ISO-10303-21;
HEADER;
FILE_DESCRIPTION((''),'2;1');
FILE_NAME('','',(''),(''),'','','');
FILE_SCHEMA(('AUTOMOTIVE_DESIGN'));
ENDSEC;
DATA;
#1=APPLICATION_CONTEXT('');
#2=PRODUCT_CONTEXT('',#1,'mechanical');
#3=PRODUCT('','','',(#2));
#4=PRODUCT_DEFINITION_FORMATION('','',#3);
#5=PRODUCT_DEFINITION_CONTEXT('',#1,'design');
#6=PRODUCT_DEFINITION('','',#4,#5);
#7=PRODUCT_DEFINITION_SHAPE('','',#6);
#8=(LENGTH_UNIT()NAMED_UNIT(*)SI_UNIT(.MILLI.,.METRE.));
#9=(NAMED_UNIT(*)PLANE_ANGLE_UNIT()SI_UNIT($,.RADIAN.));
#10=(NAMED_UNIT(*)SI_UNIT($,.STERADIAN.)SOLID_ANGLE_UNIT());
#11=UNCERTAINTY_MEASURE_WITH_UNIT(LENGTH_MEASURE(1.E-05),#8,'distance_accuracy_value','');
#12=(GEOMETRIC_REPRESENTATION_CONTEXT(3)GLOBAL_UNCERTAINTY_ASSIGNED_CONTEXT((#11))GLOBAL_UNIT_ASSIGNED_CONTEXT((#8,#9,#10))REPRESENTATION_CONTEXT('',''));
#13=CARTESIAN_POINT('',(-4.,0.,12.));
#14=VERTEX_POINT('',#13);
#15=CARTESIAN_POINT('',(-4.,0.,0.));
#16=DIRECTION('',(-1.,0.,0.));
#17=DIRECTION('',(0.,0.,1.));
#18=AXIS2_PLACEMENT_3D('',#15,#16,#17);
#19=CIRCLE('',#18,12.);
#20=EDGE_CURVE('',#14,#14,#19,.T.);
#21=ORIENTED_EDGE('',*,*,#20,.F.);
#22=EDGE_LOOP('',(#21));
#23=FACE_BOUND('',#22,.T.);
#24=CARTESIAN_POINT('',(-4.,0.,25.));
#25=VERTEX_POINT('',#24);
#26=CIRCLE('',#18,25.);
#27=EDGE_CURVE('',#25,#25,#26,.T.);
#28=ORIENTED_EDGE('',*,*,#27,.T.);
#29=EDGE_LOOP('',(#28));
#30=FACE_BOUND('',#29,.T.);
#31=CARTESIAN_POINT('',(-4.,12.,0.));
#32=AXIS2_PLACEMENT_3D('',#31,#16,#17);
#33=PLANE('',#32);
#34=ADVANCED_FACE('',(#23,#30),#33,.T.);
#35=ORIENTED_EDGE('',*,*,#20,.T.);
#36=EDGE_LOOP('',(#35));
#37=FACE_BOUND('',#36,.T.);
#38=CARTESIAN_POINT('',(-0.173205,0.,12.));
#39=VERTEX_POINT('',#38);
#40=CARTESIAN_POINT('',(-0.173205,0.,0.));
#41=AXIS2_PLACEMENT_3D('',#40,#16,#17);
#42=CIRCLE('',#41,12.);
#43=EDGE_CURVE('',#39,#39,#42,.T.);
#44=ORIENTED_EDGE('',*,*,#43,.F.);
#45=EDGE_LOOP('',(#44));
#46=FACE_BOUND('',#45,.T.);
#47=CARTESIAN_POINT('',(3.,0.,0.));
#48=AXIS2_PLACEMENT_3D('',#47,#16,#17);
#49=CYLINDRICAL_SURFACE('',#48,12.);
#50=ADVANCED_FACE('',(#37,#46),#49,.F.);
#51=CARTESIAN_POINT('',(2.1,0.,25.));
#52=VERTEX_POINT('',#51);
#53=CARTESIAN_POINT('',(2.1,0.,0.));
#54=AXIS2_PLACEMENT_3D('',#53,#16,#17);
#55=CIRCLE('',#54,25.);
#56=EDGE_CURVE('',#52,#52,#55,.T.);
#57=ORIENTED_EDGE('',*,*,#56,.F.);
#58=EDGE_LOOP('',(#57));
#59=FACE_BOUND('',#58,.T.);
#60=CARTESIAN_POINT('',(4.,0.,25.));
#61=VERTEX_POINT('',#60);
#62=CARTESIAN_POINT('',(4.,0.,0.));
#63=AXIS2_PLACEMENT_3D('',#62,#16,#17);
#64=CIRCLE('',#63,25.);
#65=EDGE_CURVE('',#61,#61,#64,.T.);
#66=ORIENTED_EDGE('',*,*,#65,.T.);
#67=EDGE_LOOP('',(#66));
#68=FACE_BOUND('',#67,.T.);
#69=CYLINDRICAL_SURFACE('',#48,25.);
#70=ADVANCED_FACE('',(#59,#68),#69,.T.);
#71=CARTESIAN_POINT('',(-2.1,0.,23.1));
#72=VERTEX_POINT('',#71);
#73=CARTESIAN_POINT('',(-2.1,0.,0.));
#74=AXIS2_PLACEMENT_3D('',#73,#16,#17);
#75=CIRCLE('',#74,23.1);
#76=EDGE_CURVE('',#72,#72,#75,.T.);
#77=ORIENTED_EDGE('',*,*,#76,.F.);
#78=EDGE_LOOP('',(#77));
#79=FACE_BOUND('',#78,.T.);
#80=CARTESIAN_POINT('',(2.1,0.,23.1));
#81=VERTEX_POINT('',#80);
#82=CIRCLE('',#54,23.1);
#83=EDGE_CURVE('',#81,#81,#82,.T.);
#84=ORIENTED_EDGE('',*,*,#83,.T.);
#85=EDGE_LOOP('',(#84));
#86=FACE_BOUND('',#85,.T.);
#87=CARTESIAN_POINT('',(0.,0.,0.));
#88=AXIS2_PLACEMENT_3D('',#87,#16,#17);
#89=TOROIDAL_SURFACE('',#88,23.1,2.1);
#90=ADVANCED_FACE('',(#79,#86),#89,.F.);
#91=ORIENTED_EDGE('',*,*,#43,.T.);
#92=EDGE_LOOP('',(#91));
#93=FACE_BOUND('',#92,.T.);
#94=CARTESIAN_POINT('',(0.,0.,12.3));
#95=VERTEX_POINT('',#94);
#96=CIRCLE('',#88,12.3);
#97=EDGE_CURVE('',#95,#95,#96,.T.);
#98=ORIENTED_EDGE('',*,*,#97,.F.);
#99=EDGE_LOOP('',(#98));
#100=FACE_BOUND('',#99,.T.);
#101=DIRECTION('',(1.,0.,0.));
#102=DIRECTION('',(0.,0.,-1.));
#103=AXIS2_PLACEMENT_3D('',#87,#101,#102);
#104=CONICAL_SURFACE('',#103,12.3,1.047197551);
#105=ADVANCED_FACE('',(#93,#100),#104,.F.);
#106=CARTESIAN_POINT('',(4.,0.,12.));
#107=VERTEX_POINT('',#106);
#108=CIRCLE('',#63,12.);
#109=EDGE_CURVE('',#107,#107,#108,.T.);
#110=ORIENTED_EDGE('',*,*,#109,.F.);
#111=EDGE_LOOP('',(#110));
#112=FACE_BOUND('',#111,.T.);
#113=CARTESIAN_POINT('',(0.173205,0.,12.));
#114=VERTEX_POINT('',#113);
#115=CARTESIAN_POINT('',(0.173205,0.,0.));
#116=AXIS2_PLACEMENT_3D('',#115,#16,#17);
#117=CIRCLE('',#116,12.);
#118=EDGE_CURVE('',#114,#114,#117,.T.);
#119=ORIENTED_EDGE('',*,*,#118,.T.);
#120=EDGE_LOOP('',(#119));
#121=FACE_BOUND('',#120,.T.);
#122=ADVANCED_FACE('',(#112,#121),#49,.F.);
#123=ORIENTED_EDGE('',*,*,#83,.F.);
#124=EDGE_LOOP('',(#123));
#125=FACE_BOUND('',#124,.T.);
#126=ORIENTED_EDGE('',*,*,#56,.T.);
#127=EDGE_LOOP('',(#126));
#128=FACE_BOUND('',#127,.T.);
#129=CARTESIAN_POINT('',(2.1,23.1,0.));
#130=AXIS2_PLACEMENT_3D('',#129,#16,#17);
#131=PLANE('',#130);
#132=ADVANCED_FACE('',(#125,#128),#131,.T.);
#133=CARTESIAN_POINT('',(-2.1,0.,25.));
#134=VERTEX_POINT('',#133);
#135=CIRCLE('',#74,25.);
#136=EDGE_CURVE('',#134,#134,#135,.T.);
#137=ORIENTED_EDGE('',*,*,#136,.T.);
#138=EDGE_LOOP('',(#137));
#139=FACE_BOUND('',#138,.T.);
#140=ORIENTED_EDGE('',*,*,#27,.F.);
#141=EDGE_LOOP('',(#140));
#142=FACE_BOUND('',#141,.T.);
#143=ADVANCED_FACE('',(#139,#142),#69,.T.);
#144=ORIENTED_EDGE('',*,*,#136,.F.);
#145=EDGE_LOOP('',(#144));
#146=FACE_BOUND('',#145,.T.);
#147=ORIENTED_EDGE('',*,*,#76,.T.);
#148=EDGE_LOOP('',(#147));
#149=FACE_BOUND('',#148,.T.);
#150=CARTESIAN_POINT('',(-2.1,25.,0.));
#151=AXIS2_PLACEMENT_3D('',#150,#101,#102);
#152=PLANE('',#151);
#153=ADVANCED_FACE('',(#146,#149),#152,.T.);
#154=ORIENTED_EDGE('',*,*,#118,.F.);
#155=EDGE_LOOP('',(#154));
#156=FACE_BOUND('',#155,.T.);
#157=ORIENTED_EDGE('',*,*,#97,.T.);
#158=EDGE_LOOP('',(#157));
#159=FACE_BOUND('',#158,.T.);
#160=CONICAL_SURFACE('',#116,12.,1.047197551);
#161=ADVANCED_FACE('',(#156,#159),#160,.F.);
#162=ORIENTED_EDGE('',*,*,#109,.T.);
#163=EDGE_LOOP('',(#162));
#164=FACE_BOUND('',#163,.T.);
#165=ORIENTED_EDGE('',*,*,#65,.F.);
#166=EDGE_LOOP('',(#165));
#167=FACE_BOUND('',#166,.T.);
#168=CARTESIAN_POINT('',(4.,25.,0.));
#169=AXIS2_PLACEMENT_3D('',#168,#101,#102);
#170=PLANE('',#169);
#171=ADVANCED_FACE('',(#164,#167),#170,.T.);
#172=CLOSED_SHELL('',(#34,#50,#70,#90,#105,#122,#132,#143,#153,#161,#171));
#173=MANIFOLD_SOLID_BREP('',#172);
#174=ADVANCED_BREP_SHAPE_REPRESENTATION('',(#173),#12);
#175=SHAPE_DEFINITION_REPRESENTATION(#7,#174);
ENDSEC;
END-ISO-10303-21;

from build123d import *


with BuildPart() as part:
    # Sketch1 → Revolve1 (revolve)
    with BuildSketch(Plane(origin=(0, 0, 0), x_dir=(-1, 0, 0), z_dir=(0, 0, -1)), mode=Mode.PRIVATE) as revolve1_sk:
        with BuildLine():
            Line((4, 25), (2.1, 25))
            Line((2.1, 25), (2.1, 23.1))
            ThreePointArc((2.1, 23.1), (0, 21), (-2.1, 23.1))
            Line((-2.1, 23.1), (-2.1, 25))
            Line((-2.1, 25), (-4, 25))
            Line((-4, 25), (-4, 12))
            Line((-4, 12), (-0.173205081, 12))
            Line((-0.173205081, 12), (0, 12.3))
            Line((0, 12.3), (0.173205081, 12))
            Line((0.173205081, 12), (4, 12))
            Line((4, 12), (4, 25))
        make_face()
    revolve(revolve1_sk.sketch.rotate(Axis((3, 0, 0), (-1, 0, 0)), 270), axis=Axis((3, 0, 0), (-1, 0, 0)))


solid = part.part
